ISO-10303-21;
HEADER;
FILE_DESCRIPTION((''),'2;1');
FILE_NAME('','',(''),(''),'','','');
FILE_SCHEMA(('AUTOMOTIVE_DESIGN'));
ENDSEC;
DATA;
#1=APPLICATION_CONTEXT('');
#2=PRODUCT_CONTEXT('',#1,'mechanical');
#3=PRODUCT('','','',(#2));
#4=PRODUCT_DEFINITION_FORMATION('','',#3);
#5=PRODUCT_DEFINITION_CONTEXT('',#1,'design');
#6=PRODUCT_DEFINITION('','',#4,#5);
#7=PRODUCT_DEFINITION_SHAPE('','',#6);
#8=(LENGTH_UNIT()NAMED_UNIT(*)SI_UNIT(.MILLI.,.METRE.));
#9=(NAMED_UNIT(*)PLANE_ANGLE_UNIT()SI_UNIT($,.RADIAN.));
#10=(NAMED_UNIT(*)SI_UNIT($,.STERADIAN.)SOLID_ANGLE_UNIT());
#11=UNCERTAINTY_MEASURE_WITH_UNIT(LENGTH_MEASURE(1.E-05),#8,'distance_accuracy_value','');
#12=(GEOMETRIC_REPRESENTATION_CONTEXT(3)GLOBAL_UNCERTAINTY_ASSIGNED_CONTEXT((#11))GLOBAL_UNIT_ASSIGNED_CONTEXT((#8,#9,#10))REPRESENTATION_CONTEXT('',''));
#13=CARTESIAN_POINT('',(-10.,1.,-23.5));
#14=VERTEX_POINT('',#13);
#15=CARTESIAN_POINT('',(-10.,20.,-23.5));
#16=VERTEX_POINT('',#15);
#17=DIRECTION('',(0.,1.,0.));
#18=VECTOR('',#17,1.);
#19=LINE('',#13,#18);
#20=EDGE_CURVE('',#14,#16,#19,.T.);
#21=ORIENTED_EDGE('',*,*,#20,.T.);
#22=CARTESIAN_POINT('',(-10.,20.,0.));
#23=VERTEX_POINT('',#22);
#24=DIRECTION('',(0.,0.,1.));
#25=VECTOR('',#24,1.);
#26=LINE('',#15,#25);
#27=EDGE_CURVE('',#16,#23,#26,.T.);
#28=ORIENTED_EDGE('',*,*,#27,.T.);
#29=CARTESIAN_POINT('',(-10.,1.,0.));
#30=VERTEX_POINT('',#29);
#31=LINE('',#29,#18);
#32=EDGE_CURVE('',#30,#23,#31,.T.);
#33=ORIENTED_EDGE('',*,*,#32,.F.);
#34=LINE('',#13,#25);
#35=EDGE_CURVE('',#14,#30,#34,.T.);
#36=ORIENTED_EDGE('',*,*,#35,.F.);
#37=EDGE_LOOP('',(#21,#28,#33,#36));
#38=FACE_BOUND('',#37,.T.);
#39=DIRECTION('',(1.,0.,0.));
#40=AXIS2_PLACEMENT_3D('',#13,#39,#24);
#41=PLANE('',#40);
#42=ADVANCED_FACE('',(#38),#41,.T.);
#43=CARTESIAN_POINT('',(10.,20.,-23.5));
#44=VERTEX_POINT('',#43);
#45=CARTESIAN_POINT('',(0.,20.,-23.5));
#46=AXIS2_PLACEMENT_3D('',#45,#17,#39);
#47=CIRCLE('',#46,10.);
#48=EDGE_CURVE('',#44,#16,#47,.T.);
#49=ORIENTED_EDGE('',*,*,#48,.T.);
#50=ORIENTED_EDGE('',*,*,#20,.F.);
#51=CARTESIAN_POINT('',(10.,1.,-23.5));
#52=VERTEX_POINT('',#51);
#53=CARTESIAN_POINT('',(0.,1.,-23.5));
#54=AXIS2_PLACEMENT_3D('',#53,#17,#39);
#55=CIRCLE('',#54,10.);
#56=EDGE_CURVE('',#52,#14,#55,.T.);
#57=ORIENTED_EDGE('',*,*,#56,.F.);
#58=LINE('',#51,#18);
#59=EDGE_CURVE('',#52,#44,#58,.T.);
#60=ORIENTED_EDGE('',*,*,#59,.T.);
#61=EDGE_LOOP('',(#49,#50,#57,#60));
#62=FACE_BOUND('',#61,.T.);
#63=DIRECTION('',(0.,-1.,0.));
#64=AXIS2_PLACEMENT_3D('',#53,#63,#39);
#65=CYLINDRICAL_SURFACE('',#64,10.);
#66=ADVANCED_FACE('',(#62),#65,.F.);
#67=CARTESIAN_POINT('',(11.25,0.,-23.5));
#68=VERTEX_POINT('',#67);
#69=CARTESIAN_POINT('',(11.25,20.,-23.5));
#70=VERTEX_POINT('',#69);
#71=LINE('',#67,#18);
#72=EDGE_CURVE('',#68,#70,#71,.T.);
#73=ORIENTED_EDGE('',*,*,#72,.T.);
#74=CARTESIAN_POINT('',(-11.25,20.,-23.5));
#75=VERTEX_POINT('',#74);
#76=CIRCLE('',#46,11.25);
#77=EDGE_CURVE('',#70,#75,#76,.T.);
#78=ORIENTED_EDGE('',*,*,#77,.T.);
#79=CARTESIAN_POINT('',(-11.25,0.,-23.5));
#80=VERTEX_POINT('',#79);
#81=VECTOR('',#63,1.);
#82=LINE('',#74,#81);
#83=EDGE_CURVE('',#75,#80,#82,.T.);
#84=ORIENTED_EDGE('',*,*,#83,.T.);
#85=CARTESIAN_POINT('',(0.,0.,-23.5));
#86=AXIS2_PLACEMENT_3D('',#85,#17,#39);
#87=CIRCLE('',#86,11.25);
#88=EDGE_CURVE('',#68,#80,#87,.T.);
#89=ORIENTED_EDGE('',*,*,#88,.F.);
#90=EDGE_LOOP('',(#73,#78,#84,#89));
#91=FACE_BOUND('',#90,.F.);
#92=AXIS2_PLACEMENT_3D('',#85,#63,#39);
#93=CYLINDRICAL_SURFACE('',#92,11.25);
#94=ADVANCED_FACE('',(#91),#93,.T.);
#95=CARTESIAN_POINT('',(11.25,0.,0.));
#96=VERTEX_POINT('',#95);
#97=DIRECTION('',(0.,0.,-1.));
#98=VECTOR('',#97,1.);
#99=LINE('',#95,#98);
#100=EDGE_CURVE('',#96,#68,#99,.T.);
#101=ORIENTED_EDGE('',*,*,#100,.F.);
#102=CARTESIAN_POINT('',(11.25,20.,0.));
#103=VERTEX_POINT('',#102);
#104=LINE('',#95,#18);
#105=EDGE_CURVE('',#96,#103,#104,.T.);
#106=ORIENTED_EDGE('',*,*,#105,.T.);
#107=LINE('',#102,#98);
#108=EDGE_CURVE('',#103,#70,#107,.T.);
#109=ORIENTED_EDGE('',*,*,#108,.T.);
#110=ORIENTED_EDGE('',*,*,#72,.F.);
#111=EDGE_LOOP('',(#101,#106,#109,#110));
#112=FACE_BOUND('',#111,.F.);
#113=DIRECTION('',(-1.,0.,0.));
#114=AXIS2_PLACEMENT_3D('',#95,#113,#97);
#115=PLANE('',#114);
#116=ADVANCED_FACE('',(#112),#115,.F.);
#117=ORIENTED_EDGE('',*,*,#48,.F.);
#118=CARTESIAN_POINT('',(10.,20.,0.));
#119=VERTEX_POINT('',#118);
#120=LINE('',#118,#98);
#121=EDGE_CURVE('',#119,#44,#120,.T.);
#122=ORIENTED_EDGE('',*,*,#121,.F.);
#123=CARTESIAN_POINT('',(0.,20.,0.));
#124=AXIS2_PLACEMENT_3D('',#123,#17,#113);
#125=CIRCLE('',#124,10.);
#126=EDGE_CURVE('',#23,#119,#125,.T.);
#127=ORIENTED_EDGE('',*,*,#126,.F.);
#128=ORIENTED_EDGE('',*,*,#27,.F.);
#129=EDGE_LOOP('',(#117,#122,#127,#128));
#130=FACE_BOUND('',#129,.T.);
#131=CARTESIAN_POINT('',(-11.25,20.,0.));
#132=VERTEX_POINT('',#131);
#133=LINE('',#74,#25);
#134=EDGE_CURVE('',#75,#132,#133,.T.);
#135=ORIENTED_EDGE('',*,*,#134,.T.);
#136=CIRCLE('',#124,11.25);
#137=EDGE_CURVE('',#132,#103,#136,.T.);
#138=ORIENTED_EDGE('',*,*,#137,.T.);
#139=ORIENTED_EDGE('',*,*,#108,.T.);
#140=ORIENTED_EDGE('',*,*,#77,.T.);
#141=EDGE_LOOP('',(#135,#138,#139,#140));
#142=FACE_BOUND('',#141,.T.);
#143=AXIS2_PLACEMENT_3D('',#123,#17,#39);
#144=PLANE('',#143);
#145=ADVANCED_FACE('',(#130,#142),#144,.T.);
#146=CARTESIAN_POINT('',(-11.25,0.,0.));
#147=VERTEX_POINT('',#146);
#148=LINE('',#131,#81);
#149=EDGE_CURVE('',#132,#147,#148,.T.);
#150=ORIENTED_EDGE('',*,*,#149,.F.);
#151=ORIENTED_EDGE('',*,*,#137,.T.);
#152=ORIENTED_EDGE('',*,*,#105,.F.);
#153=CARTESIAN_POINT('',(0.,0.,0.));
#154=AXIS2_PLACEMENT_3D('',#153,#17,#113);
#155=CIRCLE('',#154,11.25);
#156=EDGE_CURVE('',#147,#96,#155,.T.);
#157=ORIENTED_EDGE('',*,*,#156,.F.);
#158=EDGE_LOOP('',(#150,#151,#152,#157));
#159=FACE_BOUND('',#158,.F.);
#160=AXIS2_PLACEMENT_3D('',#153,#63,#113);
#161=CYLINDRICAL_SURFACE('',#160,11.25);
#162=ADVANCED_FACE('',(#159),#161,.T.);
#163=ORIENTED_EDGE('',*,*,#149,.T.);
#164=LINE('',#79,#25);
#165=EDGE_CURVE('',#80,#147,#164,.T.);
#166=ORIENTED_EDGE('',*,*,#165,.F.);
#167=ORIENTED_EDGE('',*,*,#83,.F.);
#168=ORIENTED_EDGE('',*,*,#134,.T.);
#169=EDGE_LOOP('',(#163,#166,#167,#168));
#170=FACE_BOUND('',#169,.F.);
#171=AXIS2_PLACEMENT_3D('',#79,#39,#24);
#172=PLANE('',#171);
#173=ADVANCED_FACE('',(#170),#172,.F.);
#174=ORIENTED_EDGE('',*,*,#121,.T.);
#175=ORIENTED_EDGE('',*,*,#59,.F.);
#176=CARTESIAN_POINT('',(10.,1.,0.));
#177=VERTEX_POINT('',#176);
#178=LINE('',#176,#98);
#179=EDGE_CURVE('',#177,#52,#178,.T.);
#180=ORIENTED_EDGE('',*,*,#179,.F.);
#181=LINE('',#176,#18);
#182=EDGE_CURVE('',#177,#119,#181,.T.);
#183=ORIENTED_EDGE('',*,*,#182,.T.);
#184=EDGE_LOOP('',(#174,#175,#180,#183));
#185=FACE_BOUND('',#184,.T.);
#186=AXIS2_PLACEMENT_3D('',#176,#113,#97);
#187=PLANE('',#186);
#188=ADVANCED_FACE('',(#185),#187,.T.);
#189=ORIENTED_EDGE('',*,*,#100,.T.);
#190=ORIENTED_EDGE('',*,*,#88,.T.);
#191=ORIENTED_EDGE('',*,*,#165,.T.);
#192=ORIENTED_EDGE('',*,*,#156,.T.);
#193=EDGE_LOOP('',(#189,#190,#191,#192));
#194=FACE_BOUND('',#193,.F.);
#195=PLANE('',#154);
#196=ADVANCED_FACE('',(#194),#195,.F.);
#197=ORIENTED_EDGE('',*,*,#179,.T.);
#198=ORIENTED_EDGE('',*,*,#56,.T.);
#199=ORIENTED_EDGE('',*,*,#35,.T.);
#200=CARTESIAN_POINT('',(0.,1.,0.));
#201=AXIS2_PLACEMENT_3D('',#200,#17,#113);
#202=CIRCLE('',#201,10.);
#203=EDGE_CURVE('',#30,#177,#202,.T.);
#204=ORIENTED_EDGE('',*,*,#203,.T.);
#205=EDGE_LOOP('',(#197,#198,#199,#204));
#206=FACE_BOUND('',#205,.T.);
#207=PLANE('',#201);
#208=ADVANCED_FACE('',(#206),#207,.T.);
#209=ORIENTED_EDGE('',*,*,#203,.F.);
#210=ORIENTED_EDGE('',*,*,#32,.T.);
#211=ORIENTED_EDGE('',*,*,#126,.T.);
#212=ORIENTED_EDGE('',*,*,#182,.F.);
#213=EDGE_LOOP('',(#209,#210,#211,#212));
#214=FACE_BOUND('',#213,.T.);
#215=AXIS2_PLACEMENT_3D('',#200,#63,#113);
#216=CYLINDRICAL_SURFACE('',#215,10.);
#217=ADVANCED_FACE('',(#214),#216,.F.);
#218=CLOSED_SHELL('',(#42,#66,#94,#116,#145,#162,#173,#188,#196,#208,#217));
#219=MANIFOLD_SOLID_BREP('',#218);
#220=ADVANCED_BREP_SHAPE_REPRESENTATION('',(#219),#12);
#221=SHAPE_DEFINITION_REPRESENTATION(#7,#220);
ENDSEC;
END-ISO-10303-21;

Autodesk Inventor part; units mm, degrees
ref_plane "YZ Plane" through (0, 0, 0) normal (1, 0, 0) x (0, 1, 0)
ref_plane "XZ Plane" through (0, 0, 0) normal (0, 1, 0) x (-1, 0, 0)
ref_plane "XY Plane" through (0, 0, 0) normal (0, 0, 1) x (1, 0, 0)
sketch "Sketch1" plane through (0, 0, 0) normal (0, 1, 0) x (-1, 0, 0)
  line L0 (0, 0) -> (0, -23.5) construction
  line L1 (-11.25, 0) -> (-11.25, -23.5)
  line L2 (11.25, -23.5) -> (11.25, 0)
  arc A0 (11.25, 0) -> (-11.25, 0) centre (0, 0) ccw
  arc A1 (-11.25, -23.5) -> (11.25, -23.5) centre (0, -23.5) ccw
  point P0 (0, -11.75)
  dimension "d0" = 23.5
  dimension "d1" = 22.5
extrude "Extrusion1" add sketch "Sketch1" along normal blind 1
sketch "Sketch2" plane through (0, 1, 0) normal (0, 1, 0) x (1, 0, 0)
  arc A0 (11.25, 23.5) -> (-11.25, 23.5) centre (0, 23.5) ccw projected
  line L0 (0, 0) -> (0, 23.5) construction
  line L1 (11.25, 0) -> (11.25, 23.5)
  line L2 (-11.25, 23.5) -> (-11.25, 0)
  arc A1 (-11.25, 0) -> (11.25, 0) centre (0, 0) ccw
  arc A2 (11.25, 23.5) -> (-11.25, 23.5) centre (0, 23.5) ccw
  line L3 (0, 0) -> (0, 23.5) construction
  line L4 (10, 0) -> (10, 23.5)
  line L5 (-10, 23.5) -> (-10, 0)
  arc A3 (-10, 0) -> (10, 0) centre (0, 0) ccw
  arc A4 (10, 23.5) -> (-10, 23.5) centre (0, 23.5) ccw
  point P0 (0, 11.75)
  point P1 (0, 11.75)
  dimension "d4" = 20
extrude "Extrusion2" add sketch "Sketch2" along normal blind 19
properties part number "Dopje"
